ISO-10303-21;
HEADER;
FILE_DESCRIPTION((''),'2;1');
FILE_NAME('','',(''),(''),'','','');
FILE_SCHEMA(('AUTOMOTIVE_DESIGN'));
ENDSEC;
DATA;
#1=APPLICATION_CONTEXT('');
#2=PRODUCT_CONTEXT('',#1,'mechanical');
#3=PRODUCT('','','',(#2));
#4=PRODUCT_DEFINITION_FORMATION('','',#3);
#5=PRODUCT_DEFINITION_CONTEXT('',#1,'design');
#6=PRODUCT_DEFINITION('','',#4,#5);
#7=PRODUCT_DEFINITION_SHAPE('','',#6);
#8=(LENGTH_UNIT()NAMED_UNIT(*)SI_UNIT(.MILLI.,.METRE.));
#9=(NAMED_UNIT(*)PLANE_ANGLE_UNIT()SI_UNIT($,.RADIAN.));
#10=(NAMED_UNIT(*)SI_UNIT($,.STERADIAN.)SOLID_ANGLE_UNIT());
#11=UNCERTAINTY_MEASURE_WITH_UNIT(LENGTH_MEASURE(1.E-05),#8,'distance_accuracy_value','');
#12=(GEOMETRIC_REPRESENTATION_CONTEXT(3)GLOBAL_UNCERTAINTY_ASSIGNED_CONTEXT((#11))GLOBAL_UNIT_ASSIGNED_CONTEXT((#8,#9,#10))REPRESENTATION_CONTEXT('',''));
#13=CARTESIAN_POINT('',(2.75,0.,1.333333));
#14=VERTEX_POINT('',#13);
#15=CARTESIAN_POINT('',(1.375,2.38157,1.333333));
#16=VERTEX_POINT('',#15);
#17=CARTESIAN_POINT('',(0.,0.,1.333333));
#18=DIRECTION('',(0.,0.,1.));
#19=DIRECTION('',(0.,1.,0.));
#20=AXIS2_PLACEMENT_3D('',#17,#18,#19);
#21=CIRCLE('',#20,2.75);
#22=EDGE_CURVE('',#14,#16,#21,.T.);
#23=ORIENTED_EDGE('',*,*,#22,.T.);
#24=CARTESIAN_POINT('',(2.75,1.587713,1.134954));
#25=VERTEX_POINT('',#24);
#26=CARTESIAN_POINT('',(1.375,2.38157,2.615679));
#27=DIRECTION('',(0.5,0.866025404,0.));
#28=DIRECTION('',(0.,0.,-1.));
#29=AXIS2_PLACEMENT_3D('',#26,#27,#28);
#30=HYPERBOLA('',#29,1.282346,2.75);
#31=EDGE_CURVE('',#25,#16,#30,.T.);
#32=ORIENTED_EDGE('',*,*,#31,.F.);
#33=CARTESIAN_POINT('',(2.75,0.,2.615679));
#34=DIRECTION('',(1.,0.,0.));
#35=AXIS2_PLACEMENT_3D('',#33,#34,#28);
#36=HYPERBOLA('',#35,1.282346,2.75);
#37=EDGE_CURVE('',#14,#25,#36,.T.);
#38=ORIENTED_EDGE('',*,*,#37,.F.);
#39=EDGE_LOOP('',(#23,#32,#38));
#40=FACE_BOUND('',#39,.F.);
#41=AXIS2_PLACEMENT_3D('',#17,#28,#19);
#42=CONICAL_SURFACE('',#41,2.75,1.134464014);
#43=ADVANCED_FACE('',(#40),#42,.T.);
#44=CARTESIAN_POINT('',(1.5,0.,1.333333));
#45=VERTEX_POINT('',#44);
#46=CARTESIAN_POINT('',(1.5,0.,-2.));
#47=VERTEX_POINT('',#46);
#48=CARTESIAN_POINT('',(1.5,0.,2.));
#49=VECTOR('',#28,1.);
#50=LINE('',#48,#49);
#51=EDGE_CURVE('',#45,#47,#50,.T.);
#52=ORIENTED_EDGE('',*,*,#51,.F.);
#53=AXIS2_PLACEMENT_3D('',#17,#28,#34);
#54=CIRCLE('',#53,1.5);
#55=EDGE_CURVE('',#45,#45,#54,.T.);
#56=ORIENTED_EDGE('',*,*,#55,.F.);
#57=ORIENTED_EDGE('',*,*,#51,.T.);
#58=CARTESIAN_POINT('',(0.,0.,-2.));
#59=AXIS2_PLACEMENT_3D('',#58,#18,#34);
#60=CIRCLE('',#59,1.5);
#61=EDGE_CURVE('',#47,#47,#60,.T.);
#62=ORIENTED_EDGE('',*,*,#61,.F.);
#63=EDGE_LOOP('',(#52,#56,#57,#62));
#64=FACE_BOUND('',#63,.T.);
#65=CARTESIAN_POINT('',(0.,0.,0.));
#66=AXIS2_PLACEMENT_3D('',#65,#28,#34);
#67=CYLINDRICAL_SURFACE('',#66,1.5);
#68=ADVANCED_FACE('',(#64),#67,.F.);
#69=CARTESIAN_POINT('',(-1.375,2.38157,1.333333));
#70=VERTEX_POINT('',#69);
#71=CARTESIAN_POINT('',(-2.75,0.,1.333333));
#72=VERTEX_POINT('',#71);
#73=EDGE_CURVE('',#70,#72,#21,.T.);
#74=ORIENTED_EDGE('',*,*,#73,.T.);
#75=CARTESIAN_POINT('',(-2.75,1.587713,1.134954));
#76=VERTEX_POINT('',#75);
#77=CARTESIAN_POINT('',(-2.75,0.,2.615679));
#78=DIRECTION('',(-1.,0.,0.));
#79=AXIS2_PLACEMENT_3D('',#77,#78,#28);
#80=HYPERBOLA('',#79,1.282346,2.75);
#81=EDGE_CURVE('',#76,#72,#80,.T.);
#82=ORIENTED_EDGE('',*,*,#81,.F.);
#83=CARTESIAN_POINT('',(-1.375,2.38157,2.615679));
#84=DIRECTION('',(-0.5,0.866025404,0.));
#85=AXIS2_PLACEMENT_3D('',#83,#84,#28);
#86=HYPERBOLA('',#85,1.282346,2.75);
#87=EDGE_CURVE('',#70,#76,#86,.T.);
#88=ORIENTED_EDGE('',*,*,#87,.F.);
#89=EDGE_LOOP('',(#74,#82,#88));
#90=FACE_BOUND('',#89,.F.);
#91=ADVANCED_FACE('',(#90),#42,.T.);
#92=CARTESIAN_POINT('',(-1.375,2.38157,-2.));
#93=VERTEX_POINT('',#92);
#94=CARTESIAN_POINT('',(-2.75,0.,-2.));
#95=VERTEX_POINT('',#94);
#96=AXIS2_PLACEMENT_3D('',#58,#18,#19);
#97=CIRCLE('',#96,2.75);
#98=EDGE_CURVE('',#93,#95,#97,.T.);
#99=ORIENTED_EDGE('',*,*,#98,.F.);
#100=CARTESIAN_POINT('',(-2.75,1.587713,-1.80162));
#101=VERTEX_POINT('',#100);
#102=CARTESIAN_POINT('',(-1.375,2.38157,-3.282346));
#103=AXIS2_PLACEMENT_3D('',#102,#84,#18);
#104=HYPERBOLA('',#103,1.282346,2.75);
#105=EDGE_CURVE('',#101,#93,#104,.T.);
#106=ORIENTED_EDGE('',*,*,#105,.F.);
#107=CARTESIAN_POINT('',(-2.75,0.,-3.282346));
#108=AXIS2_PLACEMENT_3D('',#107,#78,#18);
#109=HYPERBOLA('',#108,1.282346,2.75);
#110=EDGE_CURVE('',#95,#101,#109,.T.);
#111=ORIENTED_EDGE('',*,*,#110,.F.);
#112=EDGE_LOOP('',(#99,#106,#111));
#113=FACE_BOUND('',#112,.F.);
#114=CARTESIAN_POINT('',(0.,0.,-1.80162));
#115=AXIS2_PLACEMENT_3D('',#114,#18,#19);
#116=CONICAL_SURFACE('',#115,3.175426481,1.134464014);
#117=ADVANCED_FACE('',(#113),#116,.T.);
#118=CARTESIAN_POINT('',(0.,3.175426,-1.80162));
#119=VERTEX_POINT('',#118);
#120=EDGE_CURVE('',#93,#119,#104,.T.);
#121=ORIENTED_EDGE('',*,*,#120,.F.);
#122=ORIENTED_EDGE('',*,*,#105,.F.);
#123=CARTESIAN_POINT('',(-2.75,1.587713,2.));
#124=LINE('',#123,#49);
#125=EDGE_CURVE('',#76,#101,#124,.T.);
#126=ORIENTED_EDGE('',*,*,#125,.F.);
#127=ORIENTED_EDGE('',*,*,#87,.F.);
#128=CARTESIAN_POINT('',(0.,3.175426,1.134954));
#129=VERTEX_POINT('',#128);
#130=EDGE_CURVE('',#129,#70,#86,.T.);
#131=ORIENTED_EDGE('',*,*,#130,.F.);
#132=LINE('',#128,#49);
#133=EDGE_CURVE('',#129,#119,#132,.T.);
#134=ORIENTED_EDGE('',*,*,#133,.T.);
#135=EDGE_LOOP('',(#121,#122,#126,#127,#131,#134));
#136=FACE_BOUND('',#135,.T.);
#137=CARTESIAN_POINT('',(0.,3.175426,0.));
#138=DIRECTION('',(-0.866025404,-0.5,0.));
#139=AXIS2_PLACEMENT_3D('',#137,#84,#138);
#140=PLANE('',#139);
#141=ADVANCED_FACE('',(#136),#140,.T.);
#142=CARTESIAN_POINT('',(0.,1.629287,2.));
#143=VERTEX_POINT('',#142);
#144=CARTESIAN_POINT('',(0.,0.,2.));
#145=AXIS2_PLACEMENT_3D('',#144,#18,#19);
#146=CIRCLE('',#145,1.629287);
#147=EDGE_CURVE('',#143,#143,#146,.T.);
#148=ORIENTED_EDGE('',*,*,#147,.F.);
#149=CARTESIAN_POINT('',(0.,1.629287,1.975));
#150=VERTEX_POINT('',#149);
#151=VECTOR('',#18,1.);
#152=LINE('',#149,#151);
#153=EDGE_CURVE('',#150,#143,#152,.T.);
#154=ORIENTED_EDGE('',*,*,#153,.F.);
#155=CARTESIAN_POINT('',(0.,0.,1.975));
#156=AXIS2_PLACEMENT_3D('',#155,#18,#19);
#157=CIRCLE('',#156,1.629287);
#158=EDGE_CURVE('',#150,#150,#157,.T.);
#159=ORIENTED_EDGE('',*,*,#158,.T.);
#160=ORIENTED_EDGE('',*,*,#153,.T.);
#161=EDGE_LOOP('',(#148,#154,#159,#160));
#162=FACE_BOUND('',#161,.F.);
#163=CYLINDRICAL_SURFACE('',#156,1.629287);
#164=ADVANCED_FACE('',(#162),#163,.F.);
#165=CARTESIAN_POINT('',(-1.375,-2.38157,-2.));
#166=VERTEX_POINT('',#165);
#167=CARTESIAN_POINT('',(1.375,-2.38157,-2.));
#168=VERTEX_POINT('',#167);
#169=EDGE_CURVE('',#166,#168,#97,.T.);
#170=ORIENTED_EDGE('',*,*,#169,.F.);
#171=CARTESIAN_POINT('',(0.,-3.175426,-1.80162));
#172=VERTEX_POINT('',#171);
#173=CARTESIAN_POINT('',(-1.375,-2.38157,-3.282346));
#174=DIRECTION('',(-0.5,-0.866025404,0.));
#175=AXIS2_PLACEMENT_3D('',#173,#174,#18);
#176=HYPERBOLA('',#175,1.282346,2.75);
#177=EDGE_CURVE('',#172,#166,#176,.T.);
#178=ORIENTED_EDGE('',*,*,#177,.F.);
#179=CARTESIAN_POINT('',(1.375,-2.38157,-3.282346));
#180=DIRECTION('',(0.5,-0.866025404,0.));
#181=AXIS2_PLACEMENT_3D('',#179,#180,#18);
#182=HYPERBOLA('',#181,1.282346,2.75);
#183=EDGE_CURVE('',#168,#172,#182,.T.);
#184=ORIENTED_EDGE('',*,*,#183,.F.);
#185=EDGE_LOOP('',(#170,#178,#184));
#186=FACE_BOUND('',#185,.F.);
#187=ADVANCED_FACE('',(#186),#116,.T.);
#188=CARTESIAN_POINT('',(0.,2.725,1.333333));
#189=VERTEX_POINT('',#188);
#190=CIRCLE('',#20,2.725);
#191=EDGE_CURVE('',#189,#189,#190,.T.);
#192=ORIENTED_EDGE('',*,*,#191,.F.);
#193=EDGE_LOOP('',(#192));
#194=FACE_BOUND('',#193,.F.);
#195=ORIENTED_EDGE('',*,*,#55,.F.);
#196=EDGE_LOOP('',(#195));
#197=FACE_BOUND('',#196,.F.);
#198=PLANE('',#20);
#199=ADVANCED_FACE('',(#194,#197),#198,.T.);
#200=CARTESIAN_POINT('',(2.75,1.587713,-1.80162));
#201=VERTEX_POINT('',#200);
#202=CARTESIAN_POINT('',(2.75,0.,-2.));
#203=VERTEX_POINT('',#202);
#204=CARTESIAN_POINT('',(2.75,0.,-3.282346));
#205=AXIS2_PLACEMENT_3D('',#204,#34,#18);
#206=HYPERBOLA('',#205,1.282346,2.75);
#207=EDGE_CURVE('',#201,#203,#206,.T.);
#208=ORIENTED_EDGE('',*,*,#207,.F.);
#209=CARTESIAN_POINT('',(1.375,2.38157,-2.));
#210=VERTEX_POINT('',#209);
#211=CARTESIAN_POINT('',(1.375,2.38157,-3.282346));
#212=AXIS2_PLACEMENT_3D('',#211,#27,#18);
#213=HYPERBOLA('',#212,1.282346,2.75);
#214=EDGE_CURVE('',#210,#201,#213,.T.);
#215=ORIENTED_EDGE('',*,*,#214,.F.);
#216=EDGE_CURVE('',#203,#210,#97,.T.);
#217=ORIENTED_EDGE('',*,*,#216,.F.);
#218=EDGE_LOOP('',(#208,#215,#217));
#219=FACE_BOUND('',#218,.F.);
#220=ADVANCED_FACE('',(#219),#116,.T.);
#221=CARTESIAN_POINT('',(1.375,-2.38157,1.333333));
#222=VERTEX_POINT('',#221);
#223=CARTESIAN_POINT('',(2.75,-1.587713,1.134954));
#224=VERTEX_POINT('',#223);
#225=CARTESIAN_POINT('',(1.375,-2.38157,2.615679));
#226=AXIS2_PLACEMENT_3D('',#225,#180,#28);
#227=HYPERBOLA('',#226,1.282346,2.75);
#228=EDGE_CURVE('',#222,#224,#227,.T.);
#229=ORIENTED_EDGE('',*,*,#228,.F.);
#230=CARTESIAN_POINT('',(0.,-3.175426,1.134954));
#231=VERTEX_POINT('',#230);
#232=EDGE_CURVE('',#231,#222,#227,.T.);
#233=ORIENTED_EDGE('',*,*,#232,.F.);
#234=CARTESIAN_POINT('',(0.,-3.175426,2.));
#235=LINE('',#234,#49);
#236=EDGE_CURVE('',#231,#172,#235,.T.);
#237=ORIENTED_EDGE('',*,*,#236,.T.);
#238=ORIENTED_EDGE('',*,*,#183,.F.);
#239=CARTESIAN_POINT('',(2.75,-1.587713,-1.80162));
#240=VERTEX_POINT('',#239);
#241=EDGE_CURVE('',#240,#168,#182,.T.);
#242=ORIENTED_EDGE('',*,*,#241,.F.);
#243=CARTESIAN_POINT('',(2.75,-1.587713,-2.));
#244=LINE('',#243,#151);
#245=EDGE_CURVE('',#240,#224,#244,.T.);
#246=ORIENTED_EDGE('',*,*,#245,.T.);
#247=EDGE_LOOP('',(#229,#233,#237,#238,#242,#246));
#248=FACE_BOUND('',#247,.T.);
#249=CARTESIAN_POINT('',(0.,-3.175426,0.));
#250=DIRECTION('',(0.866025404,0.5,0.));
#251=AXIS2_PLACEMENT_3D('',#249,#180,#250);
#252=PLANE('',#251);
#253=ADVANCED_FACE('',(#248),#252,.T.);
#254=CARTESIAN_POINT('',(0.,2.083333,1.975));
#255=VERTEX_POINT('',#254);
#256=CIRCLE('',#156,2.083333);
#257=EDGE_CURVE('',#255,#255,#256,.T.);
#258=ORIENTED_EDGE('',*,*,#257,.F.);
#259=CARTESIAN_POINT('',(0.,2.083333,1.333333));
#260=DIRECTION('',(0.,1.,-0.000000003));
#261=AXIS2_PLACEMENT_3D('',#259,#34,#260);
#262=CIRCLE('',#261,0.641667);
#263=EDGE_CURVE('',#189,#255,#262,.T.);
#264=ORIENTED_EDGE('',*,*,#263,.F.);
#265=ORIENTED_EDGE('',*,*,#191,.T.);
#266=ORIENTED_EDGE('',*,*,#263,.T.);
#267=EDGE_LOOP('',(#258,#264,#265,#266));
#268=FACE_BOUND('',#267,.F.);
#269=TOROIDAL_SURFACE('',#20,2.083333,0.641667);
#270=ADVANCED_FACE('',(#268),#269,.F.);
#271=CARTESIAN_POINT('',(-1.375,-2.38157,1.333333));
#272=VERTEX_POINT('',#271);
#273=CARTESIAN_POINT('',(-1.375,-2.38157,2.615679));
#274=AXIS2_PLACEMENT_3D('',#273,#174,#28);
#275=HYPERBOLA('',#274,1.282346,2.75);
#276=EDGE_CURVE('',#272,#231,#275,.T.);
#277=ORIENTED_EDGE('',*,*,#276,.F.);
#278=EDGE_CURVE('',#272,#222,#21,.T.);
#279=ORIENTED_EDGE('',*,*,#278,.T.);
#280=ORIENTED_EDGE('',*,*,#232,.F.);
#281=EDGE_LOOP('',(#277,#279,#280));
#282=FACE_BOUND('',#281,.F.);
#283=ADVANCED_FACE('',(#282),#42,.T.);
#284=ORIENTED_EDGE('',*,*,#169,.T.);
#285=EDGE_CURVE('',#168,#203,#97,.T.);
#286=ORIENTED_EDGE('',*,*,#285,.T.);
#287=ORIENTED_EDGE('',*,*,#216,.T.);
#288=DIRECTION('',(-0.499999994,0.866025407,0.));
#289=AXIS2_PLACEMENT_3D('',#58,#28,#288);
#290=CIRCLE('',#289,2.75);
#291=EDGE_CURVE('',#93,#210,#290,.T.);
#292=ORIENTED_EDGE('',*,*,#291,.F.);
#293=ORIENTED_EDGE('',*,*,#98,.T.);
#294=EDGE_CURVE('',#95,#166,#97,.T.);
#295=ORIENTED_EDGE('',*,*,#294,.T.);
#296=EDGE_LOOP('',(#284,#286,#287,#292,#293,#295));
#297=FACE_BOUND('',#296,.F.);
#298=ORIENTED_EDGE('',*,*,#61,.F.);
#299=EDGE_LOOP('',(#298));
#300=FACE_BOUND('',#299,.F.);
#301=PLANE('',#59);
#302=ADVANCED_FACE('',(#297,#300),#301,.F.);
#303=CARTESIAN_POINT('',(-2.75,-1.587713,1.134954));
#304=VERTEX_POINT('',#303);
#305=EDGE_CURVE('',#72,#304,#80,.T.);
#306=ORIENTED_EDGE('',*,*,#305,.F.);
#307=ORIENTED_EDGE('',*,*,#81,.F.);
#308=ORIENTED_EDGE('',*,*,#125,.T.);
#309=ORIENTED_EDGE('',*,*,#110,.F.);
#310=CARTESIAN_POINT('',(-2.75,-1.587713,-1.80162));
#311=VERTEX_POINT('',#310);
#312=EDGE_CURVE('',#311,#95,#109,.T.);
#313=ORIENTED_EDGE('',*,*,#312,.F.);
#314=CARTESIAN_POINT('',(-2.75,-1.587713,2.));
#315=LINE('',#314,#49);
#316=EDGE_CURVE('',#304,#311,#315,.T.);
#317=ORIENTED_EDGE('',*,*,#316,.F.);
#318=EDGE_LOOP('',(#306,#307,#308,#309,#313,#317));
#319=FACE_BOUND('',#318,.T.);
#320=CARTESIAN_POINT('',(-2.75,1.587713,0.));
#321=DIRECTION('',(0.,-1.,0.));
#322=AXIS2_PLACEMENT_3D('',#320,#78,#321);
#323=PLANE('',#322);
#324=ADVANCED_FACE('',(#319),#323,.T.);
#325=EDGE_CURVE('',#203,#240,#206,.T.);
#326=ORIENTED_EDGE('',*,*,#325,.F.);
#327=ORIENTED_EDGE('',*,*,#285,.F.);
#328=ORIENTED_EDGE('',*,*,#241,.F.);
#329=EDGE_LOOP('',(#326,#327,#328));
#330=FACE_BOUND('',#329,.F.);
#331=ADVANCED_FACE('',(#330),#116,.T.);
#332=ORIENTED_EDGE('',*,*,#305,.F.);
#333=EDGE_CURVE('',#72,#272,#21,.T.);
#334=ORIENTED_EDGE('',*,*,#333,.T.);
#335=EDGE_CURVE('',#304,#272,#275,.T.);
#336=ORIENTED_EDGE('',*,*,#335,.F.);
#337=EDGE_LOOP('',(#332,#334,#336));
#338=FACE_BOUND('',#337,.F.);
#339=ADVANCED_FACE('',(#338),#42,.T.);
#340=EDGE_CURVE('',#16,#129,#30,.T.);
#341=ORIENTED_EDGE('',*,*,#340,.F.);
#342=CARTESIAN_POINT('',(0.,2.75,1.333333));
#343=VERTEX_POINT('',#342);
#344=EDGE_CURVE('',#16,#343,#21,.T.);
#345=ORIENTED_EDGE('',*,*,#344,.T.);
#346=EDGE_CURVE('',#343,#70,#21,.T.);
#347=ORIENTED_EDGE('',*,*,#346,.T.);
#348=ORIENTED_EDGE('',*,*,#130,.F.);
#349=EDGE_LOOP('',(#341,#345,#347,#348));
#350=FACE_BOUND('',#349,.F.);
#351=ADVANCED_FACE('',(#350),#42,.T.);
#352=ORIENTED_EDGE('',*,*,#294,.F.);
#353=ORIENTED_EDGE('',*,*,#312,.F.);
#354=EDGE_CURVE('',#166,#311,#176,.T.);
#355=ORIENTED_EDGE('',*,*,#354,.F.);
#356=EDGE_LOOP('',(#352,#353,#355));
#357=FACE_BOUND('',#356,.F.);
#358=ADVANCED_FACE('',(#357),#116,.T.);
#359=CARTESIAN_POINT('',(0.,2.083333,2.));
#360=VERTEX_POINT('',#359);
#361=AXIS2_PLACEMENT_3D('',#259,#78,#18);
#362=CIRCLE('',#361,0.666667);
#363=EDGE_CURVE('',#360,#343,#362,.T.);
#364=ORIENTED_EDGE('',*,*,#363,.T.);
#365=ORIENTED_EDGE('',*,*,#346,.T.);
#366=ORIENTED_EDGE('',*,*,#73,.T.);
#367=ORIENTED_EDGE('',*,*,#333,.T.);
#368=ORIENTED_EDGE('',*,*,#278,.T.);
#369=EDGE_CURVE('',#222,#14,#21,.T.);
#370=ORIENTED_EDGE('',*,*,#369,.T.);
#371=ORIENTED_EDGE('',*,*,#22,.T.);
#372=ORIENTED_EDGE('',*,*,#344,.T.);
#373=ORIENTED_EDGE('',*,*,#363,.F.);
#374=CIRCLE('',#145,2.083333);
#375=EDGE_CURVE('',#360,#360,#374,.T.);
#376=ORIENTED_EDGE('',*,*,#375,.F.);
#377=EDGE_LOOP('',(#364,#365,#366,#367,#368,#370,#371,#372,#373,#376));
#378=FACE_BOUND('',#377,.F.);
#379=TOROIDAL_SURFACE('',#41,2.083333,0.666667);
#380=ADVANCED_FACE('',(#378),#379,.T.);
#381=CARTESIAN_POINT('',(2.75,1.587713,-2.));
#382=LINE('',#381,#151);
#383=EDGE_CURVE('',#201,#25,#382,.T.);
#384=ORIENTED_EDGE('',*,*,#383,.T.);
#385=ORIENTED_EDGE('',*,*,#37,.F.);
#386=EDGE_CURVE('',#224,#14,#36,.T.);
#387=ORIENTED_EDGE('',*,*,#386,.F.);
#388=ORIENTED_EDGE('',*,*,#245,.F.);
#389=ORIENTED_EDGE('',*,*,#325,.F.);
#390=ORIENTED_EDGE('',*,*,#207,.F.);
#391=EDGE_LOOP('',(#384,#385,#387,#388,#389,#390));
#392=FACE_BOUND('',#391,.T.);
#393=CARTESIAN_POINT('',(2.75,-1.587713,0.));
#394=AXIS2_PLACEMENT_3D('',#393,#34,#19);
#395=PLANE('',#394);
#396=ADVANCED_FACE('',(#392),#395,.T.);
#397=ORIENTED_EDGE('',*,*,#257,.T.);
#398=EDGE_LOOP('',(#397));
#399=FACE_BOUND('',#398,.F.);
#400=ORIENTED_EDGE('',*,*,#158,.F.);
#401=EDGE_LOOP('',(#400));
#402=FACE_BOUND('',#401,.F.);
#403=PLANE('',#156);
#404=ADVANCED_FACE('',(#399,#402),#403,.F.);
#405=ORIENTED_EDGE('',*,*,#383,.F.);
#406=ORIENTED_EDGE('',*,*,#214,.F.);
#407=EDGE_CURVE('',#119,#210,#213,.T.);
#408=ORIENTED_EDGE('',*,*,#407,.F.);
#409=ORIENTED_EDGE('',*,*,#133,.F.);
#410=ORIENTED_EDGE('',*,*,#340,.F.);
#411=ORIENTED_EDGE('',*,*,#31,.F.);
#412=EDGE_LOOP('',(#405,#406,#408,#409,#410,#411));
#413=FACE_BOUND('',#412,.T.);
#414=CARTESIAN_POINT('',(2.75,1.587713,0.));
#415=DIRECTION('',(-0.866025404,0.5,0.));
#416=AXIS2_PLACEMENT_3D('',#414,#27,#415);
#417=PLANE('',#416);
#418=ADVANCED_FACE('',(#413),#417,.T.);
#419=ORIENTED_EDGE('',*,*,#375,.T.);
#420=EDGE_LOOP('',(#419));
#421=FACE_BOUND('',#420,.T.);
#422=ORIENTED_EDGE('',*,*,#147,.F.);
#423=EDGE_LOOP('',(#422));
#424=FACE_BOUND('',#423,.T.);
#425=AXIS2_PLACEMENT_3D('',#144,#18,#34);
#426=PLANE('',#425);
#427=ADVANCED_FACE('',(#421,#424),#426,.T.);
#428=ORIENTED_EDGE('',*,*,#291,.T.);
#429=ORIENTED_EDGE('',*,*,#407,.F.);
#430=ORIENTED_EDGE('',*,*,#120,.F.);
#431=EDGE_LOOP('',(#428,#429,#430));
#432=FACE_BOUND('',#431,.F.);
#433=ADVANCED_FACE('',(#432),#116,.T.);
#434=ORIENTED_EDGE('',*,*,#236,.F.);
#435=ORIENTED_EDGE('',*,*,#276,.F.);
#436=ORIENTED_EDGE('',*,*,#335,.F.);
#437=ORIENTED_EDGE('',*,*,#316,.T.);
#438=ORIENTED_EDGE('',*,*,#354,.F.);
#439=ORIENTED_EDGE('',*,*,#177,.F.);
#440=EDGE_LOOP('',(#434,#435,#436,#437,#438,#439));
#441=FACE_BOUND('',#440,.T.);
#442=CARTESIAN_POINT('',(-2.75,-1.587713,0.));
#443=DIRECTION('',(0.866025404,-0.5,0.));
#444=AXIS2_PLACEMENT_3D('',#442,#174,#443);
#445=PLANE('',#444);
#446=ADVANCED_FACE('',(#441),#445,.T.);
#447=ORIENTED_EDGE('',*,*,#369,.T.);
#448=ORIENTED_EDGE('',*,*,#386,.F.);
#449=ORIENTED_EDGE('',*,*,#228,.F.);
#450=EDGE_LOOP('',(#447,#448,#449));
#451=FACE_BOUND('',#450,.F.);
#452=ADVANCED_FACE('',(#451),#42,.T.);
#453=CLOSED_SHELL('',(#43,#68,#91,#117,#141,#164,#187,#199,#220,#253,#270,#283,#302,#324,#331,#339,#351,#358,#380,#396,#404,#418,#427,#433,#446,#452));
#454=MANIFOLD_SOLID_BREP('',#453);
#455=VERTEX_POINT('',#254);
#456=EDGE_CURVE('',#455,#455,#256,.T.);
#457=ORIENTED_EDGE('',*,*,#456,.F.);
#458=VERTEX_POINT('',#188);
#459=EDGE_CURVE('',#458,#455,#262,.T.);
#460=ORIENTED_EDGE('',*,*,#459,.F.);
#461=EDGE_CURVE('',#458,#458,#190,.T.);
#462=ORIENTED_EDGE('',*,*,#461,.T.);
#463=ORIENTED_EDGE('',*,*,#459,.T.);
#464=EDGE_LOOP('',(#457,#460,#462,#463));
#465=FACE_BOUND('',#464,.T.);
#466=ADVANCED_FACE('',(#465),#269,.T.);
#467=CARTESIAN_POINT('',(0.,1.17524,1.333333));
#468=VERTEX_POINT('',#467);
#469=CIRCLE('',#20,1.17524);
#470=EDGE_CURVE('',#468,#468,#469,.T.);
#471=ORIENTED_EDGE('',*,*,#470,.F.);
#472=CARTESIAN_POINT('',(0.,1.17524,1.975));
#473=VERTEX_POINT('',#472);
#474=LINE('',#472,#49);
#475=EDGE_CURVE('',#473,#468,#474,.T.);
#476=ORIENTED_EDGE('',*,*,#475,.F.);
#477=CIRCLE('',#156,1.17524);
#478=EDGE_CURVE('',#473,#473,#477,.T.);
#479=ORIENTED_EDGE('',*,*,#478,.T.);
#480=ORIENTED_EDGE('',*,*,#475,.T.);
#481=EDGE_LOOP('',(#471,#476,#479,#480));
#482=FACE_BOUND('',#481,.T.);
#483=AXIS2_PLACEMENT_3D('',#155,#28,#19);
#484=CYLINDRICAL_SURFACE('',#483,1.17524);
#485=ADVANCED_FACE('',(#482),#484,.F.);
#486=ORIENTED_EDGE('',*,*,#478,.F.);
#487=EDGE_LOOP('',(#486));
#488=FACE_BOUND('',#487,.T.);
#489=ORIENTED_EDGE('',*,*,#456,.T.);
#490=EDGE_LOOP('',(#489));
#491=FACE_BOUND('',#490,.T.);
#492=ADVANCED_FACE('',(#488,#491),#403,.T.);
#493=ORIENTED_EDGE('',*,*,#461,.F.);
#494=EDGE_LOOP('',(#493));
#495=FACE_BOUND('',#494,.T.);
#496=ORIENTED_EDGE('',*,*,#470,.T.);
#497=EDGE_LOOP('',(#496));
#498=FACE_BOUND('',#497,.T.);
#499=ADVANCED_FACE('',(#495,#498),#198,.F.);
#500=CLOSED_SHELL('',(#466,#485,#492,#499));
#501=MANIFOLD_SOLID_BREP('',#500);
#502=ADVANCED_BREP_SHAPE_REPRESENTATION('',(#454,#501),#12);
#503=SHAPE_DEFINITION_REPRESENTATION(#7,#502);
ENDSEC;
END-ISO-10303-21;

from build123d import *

# Parameters (mm, degrees)
SKETCH3_R           = 1.5
BOSS_EXTRUDE1_DEPTH = 2


with BuildPart() as part:
    # Sketch3 → Boss-Extrude1 (new, symmetric)
    with BuildSketch(Plane.XY):
        Polygon((0, -3.175426481), (2.75, -1.58771324), (2.75, 1.58771324), (0, 3.175426481), (-2.75, 1.58771324), (-2.75, -1.58771324), align=None)
        Circle(SKETCH3_R, mode=Mode.SUBTRACT)
    extrude(amount=BOSS_EXTRUDE1_DEPTH, both=True)

    # Sketch4 → Cut-Revolve1 (revolve, cut)
    with BuildSketch(Plane(origin=(0, 0, 0), x_dir=(0, 0, -1), z_dir=(1, 0, 0))):
        with BuildLine():
            Line((3.27, 4.445426481), (-3.27, 4.445426481))
            Line((-3.27, 4.445426481), (-3.27, 2.083333333))
            Line((-3.27, 2.083333333), (-2, 2.083333333))
            ThreePointArc((-2, 2.083333333), (-1.804737854, 2.554737854), (-1.333333333, 2.75))
            Line((-1.333333333, 2.75), (-1.134953707, 3.175426481))
            Line((-1.134953707, 3.175426481), (1.801620374, 3.175426481))
            Line((1.801620374, 3.175426481), (2, 2.75))
            Line((2, 2.75), (2, 0))
            Line((2, 0), (3.27, 0))
            Line((3.27, 0), (3.27, 4.445426481))
        make_face()
        with BuildLine():
            Line((-3.27, 1.629286903), (-3.27, 0))
            Line((-3.27, 0), (-1.333333333, 0))
            Line((-1.333333333, 0), (-1.333333333, 2.725))
            ThreePointArc((-1.333333333, 2.725), (-1.787060185, 2.537060185), (-1.975, 2.083333333))
            Line((-1.975, 2.083333333), (-1.975, 1.629286903))
            Line((-1.975, 1.629286903), (-3.27, 1.629286903))
        make_face()
    revolve(axis=Axis((0, 0, -2), (0, 0, 1)), mode=Mode.SUBTRACT)


with BuildPart() as body_2:
    # Sketch5 → Revolve1 (revolve)
    with BuildSketch(Plane(origin=(0, 0, 0), x_dir=(0, 0, -1), z_dir=(1, 0, 0))):
        with BuildLine():
            Line((-1.975, 2.083333333), (-1.975, 1.175240474))
            Line((-1.975, 1.175240474), (-1.333333333, 1.175240474))
            Line((-1.333333333, 1.175240474), (-1.333333333, 2.725))
            ThreePointArc((-1.333333333, 2.725), (-1.787060185, 2.537060185), (-1.975, 2.083333333))
        make_face()
    revolve(axis=Axis((0, 0, -2), (0, 0, 1)))


solid = Compound([part.part, body_2.part])
